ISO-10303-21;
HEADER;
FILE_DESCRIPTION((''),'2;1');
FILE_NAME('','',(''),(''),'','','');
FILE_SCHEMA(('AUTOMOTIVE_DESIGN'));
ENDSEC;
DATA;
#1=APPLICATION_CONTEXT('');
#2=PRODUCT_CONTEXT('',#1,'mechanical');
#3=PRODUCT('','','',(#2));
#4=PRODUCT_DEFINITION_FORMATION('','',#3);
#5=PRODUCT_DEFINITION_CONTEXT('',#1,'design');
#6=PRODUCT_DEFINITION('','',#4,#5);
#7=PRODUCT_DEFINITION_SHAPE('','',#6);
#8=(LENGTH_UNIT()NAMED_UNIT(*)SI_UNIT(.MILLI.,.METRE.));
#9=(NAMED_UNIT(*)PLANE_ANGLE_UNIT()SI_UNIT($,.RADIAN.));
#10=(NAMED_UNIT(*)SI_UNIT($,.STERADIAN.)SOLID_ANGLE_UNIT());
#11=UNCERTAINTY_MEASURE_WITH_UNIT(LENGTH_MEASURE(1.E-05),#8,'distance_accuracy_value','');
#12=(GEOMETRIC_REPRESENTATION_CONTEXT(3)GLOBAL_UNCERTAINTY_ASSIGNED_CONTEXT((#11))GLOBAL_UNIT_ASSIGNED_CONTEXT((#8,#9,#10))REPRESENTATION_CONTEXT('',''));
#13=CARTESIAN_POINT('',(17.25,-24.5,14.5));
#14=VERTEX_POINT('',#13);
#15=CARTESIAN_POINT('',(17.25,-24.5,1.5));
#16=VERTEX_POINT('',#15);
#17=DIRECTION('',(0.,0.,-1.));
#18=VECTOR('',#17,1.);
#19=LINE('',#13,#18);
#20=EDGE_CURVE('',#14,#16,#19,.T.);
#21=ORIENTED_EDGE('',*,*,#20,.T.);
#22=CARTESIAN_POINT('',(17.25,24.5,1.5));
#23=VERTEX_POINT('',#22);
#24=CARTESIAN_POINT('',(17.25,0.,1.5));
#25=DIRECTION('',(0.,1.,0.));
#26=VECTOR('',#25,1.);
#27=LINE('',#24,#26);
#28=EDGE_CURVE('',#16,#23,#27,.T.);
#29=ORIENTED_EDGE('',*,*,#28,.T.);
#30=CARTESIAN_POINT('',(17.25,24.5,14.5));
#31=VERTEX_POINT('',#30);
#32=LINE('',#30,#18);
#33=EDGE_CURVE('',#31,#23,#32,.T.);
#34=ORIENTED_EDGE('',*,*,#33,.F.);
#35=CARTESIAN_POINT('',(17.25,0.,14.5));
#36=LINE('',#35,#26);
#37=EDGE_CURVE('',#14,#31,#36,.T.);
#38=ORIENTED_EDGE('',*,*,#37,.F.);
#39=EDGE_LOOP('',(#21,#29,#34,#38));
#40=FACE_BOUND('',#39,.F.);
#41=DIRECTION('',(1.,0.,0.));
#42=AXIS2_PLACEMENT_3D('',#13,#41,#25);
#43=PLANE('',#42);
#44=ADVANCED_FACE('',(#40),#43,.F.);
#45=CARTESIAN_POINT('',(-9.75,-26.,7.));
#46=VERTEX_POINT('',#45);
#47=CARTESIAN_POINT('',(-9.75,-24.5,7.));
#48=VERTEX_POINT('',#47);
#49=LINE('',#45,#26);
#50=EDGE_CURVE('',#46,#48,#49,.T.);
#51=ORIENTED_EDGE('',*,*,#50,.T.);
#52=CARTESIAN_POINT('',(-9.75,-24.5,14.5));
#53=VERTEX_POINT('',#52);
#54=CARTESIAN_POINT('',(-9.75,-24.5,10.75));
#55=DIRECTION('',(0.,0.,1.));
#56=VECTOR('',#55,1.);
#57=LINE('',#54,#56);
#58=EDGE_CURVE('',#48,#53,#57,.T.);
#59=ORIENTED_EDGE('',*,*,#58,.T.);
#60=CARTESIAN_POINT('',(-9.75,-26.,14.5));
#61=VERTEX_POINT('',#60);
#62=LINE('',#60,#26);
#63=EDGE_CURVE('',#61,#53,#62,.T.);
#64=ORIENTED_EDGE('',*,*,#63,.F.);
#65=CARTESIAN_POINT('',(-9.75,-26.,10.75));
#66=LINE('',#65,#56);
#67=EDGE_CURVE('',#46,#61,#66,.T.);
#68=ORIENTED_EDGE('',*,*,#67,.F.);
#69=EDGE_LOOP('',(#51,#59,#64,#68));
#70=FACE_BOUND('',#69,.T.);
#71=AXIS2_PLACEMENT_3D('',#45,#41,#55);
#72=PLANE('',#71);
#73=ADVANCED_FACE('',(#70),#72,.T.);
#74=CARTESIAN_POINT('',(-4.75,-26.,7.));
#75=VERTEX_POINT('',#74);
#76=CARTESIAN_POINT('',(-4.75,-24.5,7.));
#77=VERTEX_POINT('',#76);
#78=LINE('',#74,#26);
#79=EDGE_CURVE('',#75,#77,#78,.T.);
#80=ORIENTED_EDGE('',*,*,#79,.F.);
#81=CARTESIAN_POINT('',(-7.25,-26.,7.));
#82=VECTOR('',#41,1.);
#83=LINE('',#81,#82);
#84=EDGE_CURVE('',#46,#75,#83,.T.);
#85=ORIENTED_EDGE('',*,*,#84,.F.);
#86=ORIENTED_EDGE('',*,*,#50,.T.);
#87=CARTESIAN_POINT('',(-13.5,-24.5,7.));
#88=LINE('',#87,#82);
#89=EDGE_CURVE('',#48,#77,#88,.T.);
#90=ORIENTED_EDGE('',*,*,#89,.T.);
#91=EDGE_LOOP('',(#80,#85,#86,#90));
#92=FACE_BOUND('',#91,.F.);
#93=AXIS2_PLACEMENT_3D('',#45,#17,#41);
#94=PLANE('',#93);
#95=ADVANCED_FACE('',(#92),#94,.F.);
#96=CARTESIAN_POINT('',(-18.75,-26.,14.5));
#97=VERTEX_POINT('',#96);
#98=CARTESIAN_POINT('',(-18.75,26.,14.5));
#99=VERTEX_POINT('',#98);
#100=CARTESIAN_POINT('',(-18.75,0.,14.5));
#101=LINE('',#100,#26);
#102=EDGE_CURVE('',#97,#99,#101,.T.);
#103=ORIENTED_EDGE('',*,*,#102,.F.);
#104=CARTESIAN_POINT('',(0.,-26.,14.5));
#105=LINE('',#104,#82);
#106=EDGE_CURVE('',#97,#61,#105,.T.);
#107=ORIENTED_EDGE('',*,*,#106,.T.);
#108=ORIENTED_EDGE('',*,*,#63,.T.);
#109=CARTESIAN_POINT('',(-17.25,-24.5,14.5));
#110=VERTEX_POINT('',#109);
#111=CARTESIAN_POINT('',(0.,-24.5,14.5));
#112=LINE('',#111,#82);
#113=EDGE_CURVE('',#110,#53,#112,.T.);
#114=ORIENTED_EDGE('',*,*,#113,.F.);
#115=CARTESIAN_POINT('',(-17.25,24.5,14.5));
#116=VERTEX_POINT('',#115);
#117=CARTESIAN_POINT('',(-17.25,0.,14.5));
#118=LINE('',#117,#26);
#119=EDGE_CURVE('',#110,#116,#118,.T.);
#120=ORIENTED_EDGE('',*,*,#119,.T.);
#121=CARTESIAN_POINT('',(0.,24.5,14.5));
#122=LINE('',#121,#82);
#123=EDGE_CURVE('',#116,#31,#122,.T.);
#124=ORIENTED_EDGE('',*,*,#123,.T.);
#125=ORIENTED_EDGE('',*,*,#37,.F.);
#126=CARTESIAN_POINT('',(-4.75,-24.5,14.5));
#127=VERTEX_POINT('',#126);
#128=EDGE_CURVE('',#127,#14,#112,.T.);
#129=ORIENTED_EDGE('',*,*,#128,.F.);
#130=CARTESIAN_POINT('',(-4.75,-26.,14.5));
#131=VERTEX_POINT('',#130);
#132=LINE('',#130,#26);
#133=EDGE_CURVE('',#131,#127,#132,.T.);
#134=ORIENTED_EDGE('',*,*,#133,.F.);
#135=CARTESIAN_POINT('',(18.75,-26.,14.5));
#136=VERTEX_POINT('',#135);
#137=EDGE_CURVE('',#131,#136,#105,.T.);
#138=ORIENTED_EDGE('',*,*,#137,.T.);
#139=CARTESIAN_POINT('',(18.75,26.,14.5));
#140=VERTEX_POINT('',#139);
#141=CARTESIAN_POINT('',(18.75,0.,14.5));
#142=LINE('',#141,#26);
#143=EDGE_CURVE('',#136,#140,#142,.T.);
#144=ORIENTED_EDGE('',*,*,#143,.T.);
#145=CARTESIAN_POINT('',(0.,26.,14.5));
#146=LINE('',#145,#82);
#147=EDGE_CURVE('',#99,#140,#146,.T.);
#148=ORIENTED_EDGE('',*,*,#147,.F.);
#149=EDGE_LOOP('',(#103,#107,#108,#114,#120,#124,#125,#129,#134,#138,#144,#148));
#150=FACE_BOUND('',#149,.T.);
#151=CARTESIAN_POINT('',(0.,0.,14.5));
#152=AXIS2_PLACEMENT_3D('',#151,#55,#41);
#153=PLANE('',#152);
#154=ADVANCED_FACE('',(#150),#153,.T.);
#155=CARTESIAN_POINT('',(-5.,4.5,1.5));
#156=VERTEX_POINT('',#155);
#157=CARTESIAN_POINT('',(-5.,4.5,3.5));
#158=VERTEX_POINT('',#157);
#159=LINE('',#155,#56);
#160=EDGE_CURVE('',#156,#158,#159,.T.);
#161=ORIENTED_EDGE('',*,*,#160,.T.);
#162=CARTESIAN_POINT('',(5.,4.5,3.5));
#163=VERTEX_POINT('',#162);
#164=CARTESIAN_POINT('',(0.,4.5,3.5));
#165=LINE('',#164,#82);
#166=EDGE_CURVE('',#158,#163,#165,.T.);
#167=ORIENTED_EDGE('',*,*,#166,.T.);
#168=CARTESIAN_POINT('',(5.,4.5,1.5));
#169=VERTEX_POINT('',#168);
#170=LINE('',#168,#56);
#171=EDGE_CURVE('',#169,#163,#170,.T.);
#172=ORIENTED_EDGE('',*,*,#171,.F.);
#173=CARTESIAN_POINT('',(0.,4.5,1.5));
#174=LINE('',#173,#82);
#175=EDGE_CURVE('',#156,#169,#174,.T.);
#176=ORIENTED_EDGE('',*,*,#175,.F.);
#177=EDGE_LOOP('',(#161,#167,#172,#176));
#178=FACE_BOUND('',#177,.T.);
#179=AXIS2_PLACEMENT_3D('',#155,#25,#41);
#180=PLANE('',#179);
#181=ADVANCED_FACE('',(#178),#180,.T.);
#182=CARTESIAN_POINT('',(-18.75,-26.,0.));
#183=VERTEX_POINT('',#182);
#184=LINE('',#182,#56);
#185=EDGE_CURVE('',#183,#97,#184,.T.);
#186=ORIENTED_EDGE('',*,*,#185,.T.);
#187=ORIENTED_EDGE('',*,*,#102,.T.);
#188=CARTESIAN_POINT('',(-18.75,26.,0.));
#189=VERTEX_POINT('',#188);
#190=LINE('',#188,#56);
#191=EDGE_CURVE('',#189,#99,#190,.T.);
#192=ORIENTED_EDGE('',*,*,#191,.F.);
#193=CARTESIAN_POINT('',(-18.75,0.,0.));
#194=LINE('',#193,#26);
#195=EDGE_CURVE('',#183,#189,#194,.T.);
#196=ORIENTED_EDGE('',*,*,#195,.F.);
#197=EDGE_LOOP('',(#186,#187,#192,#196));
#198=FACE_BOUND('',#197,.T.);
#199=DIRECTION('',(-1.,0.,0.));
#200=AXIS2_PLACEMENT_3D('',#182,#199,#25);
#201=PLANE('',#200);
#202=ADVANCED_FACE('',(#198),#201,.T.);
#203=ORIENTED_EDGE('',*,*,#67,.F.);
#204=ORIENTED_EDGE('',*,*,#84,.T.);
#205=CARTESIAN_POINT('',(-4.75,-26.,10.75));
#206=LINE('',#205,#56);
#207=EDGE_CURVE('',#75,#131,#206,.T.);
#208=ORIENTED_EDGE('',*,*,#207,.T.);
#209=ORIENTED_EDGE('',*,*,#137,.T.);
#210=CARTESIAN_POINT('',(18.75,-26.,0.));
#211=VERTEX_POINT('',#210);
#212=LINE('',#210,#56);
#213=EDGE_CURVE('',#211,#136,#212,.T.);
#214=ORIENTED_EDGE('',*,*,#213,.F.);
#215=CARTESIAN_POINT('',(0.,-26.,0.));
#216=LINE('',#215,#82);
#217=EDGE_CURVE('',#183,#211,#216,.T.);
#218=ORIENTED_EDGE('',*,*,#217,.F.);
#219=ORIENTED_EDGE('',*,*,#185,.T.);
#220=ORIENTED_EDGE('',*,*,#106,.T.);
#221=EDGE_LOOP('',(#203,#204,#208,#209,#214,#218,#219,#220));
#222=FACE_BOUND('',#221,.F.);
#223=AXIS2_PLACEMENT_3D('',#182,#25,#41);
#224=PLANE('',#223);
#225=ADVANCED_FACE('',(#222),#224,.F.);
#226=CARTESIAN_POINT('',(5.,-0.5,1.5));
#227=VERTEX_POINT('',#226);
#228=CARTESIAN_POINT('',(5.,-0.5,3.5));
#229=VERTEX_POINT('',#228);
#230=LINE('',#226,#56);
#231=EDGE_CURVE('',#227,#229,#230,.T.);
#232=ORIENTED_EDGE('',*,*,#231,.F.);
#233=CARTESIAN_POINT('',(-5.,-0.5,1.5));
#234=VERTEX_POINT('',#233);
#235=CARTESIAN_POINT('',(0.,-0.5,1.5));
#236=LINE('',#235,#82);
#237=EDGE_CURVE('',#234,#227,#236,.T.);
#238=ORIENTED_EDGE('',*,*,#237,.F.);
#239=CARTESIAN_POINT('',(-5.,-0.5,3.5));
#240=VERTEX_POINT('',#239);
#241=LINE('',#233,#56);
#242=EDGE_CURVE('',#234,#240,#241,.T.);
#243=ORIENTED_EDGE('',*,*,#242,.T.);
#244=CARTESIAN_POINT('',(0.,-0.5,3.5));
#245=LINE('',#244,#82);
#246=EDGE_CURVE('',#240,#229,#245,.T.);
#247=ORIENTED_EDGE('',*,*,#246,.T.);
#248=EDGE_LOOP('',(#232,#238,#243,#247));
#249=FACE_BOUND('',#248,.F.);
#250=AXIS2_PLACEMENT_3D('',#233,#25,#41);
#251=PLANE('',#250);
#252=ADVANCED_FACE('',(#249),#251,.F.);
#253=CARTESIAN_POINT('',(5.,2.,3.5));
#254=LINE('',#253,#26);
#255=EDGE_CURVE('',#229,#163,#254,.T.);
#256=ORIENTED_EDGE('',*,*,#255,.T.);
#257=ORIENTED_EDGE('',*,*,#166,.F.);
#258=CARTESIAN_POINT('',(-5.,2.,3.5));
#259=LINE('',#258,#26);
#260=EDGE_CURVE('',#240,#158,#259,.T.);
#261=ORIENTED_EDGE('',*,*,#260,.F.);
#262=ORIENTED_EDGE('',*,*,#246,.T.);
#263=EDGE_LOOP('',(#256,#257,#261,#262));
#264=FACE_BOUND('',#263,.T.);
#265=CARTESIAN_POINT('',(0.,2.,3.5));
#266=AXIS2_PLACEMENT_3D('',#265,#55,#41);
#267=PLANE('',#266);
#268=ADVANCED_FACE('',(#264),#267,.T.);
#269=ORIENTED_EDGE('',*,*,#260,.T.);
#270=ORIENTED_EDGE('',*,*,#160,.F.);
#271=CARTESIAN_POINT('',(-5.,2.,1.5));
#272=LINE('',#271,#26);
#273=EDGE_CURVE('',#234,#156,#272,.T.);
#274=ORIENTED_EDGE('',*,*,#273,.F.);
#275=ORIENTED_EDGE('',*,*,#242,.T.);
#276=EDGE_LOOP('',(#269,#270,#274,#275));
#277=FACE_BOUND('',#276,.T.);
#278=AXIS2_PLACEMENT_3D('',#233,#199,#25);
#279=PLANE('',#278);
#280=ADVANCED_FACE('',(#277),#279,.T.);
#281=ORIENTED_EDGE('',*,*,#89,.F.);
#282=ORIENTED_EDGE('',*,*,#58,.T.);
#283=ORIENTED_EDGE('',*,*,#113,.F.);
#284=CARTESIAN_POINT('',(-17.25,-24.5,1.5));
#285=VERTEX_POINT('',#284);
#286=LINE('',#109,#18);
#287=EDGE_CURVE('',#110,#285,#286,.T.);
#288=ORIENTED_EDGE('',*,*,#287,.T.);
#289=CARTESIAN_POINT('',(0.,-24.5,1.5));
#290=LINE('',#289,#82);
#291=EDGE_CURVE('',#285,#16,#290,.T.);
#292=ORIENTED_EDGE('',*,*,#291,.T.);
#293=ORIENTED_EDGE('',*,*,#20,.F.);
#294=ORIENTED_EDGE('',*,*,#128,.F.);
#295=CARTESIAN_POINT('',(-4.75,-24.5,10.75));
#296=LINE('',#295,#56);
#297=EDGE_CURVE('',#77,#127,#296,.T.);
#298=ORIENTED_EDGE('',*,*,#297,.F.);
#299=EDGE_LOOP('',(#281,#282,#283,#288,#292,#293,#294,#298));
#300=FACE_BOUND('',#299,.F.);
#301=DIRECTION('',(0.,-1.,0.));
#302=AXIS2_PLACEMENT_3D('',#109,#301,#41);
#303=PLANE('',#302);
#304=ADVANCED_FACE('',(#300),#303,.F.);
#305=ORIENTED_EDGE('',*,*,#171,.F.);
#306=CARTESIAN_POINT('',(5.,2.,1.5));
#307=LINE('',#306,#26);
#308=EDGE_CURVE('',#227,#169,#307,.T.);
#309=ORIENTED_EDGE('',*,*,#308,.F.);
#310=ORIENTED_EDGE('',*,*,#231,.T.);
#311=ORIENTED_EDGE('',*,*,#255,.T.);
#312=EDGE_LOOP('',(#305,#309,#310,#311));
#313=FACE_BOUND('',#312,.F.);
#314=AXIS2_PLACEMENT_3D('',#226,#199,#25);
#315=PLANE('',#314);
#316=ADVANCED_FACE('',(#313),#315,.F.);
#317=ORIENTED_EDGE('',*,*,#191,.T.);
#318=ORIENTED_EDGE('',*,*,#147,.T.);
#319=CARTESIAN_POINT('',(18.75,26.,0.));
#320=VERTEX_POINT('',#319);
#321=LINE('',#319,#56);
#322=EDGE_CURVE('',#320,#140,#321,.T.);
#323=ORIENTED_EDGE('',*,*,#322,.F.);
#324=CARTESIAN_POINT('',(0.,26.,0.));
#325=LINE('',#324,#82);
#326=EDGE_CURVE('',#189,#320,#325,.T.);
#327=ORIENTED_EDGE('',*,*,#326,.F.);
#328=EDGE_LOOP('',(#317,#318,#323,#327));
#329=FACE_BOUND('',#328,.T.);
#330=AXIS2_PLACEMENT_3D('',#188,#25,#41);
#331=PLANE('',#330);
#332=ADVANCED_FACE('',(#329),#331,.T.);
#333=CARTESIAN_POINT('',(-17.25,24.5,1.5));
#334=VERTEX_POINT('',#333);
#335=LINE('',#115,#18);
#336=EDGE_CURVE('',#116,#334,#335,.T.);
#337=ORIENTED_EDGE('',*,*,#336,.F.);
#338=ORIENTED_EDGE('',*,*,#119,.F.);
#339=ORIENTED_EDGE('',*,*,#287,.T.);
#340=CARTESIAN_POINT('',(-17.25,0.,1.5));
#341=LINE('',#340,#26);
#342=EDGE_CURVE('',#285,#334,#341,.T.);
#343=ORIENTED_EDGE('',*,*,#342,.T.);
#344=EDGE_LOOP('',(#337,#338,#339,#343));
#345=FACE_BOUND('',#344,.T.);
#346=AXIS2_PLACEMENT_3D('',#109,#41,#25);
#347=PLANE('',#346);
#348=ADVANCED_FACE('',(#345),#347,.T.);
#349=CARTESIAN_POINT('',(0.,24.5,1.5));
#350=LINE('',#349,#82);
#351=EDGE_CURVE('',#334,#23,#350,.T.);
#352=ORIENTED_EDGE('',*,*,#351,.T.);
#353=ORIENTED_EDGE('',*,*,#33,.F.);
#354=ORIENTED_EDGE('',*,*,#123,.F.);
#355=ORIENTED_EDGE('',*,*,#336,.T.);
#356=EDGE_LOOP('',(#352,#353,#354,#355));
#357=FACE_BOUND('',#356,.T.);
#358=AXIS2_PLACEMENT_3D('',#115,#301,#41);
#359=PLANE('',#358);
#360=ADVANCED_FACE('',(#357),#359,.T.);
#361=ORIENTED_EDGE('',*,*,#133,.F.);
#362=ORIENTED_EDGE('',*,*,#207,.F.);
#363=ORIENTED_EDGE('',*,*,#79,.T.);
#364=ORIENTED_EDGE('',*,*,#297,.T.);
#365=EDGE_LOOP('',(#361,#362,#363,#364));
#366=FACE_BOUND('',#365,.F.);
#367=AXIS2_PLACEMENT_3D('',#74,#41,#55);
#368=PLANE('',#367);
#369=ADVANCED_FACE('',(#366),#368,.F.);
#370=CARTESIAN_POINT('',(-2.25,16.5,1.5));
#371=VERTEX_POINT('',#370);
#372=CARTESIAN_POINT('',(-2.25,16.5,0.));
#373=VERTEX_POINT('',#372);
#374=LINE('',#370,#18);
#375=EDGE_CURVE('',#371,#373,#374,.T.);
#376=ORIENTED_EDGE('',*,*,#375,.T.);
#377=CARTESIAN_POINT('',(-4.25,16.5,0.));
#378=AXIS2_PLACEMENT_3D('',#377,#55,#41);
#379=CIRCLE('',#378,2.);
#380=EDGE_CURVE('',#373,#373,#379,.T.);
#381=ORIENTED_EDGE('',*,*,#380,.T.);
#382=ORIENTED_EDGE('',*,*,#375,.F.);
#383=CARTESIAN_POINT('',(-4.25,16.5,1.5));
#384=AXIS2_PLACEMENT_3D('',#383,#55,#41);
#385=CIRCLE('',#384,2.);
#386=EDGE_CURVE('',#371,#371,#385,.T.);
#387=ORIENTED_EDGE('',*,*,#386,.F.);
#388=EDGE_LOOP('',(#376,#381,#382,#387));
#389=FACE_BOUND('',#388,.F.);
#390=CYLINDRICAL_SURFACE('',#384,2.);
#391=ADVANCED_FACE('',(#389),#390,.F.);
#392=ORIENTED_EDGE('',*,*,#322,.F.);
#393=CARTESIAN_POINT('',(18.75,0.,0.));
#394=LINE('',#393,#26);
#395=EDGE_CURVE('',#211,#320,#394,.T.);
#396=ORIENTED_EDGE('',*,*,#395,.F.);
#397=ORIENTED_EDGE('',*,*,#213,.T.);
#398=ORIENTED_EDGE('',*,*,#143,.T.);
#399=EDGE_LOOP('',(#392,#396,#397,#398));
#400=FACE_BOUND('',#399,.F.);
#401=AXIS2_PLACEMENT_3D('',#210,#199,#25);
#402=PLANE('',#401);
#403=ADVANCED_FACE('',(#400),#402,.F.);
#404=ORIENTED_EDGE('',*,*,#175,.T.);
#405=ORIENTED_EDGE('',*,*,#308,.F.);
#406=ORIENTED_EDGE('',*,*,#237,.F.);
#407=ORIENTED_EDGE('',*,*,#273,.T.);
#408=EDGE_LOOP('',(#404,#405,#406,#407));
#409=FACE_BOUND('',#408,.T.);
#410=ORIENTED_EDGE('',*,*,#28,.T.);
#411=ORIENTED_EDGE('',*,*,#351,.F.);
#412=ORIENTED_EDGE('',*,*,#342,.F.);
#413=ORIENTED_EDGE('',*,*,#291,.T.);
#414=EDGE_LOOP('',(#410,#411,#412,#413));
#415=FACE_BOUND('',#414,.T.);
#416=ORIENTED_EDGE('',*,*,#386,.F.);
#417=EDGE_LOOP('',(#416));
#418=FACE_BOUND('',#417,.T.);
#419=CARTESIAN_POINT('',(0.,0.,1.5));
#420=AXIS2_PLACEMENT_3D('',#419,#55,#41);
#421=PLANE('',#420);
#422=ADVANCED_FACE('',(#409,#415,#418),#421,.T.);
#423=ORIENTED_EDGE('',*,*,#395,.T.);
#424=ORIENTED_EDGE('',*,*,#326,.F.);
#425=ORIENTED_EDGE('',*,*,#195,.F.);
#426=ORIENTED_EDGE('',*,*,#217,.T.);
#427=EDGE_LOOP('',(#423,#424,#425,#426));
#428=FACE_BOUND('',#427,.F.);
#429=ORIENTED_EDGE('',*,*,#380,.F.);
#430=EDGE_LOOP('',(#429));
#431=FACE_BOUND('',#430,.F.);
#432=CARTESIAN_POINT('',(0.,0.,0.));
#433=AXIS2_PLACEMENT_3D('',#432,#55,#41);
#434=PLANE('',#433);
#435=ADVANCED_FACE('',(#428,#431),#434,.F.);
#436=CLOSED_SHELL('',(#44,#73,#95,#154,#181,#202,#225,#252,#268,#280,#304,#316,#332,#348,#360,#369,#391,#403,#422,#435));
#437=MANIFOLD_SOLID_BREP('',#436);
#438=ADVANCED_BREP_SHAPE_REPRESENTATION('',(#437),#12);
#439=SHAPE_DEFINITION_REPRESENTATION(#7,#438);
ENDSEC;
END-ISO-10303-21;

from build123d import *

# Parameters (mm, degrees)
F0_W     = 37.5
F0_H     = 52
F1_DEPTH = 14.5
F2_W     = 34.5
F2_H     = 49
F3_DEPTH = 13
F4_R     = 2
F5_DEPTH = 25
F6_W     = 10
F6_H     = 5
F7_DEPTH = 2
F8_W     = 5
F8_H     = 7.5
F9_DEPTH = 10


with BuildPart() as f1:
    # F0 (on Top) → F1 (new body)
    with BuildSketch(Plane.XY):
        Rectangle(F0_W, F0_H)
    extrude(amount=F1_DEPTH)

    # F2 (on face) → F3 (cut)
    with BuildSketch(Plane.XY.offset(14.5)):
        Rectangle(F2_W, F2_H)
    extrude(amount=-F3_DEPTH, mode=Mode.SUBTRACT)

    # F4 (on face) → F5 (cut)
    with BuildSketch(Plane.XY.offset(1.5)):
        with Locations((-4.25, 16.5)):
            Circle(F4_R)
    extrude(amount=-F5_DEPTH, mode=Mode.SUBTRACT)

    # F6 (on face) → F7 (join)
    with BuildSketch(Plane.XY.offset(1.5)):
        with Locations((0, 2)):
            Rectangle(F6_W, F6_H)
    extrude(amount=F7_DEPTH)

    # F8 (on face) → F9 (cut)
    with BuildSketch(Plane.XZ.offset(26)):
        with Locations((-7.25, 10.75)):
            Rectangle(F8_W, F8_H)
    extrude(amount=-F9_DEPTH, mode=Mode.SUBTRACT)


solid = f1.part
